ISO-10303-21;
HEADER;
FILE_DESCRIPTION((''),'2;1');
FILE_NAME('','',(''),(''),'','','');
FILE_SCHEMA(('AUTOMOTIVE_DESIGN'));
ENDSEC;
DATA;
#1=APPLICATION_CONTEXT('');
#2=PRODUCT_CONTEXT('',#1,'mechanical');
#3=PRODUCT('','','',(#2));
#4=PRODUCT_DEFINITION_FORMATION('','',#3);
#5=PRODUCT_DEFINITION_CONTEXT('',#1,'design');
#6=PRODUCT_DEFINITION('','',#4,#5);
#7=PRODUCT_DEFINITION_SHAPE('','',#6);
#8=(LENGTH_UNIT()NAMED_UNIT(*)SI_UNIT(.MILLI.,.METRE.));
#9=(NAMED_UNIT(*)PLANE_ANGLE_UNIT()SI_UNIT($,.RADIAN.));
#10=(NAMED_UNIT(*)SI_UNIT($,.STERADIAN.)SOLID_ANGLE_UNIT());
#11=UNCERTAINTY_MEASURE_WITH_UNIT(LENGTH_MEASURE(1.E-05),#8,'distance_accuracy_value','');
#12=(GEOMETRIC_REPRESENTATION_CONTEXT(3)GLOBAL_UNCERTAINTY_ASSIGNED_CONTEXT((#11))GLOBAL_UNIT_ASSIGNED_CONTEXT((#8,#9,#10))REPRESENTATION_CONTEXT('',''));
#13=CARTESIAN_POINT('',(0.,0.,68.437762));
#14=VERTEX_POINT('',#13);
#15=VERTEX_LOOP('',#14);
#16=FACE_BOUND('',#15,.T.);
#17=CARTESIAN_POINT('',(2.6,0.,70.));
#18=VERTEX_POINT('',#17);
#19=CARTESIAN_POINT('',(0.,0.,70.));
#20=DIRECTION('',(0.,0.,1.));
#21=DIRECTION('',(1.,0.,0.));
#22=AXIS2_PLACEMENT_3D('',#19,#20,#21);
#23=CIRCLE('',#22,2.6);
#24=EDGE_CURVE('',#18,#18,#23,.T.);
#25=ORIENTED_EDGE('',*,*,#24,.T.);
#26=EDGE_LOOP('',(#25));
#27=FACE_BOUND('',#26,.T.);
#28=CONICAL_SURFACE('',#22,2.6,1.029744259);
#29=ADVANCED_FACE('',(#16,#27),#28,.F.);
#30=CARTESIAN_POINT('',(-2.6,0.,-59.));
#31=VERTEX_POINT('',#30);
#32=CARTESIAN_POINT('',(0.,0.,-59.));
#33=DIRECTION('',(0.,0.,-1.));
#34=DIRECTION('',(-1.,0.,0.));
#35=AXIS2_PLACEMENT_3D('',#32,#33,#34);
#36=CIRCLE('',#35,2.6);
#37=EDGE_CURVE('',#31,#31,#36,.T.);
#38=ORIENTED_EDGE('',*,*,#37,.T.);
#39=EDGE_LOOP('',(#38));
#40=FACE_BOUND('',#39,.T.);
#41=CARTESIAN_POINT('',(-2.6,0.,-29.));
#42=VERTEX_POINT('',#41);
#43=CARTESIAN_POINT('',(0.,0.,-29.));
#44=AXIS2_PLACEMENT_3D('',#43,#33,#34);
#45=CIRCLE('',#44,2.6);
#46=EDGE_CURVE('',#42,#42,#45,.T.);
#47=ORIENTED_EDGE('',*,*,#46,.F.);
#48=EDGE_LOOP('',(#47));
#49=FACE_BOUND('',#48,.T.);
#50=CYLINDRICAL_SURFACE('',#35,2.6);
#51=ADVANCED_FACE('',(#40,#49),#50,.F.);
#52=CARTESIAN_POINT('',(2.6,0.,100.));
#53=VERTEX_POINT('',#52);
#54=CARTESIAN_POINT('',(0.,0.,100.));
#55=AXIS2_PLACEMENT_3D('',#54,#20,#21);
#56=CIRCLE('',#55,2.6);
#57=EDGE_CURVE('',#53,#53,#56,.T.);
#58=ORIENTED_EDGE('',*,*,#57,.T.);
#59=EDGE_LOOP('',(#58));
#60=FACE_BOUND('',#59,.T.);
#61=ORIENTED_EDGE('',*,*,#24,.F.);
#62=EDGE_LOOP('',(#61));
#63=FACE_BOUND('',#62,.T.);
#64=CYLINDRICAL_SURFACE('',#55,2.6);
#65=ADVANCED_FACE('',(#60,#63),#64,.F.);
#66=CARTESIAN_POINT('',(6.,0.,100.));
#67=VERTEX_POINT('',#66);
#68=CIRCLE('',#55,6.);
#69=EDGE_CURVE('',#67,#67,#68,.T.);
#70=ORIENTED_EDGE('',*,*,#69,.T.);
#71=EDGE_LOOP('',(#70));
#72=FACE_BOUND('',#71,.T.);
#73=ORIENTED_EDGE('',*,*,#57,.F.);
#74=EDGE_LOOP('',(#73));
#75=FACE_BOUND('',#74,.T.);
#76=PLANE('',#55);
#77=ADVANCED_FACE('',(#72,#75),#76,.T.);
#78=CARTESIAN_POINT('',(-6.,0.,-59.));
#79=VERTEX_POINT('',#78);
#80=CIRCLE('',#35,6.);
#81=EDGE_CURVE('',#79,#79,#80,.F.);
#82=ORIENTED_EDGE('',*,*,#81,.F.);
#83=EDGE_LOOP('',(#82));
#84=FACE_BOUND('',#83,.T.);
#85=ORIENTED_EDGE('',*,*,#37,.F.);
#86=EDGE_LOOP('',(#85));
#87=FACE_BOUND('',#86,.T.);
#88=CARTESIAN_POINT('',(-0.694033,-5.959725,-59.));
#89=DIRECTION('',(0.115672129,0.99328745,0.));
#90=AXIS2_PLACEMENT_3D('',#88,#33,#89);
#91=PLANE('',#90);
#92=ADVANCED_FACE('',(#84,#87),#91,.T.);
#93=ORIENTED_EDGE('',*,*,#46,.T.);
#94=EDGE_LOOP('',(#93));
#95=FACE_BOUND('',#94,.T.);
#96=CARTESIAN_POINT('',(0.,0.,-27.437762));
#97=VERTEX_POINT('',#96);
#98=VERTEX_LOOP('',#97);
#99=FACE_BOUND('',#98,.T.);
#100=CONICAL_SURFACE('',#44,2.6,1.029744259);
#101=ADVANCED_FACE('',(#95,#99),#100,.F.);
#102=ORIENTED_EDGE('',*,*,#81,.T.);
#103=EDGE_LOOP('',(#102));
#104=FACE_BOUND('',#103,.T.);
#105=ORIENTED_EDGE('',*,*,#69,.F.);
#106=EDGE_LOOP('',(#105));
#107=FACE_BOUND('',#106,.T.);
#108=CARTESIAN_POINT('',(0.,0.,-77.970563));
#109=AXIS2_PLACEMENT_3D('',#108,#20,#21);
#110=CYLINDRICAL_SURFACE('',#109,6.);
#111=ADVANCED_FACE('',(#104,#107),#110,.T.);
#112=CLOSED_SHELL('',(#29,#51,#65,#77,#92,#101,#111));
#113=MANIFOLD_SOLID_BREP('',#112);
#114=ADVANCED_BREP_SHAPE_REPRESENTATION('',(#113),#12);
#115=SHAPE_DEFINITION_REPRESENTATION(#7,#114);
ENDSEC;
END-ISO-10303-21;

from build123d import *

# Parameters (mm, degrees)
SKETCH1_R                        = 6
BOSS_EXTRUDE1_DEPTH              = 100
BOSS_EXTRUDE1_DEPTH_BACK         = 59
TAP_DRILL_FOR_M5_HELICOIL1_D     = 5.2
TAP_DRILL_FOR_M5_HELICOIL1_DEPTH = 30
TAP_DRILL_FOR_M5_HELICOIL1_TIP   = 1.562237609
TAP_DRILL_FOR_M5_HELICOIL2_D     = 5.2
TAP_DRILL_FOR_M5_HELICOIL2_DEPTH = 30
TAP_DRILL_FOR_M5_HELICOIL2_TIP   = 1.562237609


with BuildPart() as part:
    # Sketch1 → Boss-Extrude1 (new body, two sides)
    with BuildSketch(Plane.XY) as boss_extrude1_sk:
        Circle(SKETCH1_R)
    extrude(amount=BOSS_EXTRUDE1_DEPTH)
    extrude(boss_extrude1_sk.sketch, amount=-BOSS_EXTRUDE1_DEPTH_BACK)

    # Tap Drill for M5 Helicoil1
    with Locations(Plane.XY.offset(100)):
        with Locations((0, 0)):
            Hole(TAP_DRILL_FOR_M5_HELICOIL1_D / 2, depth=TAP_DRILL_FOR_M5_HELICOIL1_DEPTH)
            with Locations((0, 0, -(TAP_DRILL_FOR_M5_HELICOIL1_DEPTH + TAP_DRILL_FOR_M5_HELICOIL1_TIP / 2))):  # 118° drill point
                Cone(0, TAP_DRILL_FOR_M5_HELICOIL1_D / 2, TAP_DRILL_FOR_M5_HELICOIL1_TIP, mode=Mode.SUBTRACT)

    # Tap Drill for M5 Helicoil2
    with Locations(Plane(origin=(0, 0, -59), x_dir=(-1, 0, 0), z_dir=(0, 0, -1))):
        with Locations((0, 0)):
            Hole(TAP_DRILL_FOR_M5_HELICOIL2_D / 2, depth=TAP_DRILL_FOR_M5_HELICOIL2_DEPTH)
            with Locations((0, 0, -(TAP_DRILL_FOR_M5_HELICOIL2_DEPTH + TAP_DRILL_FOR_M5_HELICOIL2_TIP / 2))):  # 118° drill point
                Cone(0, TAP_DRILL_FOR_M5_HELICOIL2_D / 2, TAP_DRILL_FOR_M5_HELICOIL2_TIP, mode=Mode.SUBTRACT)


solid = part.part
